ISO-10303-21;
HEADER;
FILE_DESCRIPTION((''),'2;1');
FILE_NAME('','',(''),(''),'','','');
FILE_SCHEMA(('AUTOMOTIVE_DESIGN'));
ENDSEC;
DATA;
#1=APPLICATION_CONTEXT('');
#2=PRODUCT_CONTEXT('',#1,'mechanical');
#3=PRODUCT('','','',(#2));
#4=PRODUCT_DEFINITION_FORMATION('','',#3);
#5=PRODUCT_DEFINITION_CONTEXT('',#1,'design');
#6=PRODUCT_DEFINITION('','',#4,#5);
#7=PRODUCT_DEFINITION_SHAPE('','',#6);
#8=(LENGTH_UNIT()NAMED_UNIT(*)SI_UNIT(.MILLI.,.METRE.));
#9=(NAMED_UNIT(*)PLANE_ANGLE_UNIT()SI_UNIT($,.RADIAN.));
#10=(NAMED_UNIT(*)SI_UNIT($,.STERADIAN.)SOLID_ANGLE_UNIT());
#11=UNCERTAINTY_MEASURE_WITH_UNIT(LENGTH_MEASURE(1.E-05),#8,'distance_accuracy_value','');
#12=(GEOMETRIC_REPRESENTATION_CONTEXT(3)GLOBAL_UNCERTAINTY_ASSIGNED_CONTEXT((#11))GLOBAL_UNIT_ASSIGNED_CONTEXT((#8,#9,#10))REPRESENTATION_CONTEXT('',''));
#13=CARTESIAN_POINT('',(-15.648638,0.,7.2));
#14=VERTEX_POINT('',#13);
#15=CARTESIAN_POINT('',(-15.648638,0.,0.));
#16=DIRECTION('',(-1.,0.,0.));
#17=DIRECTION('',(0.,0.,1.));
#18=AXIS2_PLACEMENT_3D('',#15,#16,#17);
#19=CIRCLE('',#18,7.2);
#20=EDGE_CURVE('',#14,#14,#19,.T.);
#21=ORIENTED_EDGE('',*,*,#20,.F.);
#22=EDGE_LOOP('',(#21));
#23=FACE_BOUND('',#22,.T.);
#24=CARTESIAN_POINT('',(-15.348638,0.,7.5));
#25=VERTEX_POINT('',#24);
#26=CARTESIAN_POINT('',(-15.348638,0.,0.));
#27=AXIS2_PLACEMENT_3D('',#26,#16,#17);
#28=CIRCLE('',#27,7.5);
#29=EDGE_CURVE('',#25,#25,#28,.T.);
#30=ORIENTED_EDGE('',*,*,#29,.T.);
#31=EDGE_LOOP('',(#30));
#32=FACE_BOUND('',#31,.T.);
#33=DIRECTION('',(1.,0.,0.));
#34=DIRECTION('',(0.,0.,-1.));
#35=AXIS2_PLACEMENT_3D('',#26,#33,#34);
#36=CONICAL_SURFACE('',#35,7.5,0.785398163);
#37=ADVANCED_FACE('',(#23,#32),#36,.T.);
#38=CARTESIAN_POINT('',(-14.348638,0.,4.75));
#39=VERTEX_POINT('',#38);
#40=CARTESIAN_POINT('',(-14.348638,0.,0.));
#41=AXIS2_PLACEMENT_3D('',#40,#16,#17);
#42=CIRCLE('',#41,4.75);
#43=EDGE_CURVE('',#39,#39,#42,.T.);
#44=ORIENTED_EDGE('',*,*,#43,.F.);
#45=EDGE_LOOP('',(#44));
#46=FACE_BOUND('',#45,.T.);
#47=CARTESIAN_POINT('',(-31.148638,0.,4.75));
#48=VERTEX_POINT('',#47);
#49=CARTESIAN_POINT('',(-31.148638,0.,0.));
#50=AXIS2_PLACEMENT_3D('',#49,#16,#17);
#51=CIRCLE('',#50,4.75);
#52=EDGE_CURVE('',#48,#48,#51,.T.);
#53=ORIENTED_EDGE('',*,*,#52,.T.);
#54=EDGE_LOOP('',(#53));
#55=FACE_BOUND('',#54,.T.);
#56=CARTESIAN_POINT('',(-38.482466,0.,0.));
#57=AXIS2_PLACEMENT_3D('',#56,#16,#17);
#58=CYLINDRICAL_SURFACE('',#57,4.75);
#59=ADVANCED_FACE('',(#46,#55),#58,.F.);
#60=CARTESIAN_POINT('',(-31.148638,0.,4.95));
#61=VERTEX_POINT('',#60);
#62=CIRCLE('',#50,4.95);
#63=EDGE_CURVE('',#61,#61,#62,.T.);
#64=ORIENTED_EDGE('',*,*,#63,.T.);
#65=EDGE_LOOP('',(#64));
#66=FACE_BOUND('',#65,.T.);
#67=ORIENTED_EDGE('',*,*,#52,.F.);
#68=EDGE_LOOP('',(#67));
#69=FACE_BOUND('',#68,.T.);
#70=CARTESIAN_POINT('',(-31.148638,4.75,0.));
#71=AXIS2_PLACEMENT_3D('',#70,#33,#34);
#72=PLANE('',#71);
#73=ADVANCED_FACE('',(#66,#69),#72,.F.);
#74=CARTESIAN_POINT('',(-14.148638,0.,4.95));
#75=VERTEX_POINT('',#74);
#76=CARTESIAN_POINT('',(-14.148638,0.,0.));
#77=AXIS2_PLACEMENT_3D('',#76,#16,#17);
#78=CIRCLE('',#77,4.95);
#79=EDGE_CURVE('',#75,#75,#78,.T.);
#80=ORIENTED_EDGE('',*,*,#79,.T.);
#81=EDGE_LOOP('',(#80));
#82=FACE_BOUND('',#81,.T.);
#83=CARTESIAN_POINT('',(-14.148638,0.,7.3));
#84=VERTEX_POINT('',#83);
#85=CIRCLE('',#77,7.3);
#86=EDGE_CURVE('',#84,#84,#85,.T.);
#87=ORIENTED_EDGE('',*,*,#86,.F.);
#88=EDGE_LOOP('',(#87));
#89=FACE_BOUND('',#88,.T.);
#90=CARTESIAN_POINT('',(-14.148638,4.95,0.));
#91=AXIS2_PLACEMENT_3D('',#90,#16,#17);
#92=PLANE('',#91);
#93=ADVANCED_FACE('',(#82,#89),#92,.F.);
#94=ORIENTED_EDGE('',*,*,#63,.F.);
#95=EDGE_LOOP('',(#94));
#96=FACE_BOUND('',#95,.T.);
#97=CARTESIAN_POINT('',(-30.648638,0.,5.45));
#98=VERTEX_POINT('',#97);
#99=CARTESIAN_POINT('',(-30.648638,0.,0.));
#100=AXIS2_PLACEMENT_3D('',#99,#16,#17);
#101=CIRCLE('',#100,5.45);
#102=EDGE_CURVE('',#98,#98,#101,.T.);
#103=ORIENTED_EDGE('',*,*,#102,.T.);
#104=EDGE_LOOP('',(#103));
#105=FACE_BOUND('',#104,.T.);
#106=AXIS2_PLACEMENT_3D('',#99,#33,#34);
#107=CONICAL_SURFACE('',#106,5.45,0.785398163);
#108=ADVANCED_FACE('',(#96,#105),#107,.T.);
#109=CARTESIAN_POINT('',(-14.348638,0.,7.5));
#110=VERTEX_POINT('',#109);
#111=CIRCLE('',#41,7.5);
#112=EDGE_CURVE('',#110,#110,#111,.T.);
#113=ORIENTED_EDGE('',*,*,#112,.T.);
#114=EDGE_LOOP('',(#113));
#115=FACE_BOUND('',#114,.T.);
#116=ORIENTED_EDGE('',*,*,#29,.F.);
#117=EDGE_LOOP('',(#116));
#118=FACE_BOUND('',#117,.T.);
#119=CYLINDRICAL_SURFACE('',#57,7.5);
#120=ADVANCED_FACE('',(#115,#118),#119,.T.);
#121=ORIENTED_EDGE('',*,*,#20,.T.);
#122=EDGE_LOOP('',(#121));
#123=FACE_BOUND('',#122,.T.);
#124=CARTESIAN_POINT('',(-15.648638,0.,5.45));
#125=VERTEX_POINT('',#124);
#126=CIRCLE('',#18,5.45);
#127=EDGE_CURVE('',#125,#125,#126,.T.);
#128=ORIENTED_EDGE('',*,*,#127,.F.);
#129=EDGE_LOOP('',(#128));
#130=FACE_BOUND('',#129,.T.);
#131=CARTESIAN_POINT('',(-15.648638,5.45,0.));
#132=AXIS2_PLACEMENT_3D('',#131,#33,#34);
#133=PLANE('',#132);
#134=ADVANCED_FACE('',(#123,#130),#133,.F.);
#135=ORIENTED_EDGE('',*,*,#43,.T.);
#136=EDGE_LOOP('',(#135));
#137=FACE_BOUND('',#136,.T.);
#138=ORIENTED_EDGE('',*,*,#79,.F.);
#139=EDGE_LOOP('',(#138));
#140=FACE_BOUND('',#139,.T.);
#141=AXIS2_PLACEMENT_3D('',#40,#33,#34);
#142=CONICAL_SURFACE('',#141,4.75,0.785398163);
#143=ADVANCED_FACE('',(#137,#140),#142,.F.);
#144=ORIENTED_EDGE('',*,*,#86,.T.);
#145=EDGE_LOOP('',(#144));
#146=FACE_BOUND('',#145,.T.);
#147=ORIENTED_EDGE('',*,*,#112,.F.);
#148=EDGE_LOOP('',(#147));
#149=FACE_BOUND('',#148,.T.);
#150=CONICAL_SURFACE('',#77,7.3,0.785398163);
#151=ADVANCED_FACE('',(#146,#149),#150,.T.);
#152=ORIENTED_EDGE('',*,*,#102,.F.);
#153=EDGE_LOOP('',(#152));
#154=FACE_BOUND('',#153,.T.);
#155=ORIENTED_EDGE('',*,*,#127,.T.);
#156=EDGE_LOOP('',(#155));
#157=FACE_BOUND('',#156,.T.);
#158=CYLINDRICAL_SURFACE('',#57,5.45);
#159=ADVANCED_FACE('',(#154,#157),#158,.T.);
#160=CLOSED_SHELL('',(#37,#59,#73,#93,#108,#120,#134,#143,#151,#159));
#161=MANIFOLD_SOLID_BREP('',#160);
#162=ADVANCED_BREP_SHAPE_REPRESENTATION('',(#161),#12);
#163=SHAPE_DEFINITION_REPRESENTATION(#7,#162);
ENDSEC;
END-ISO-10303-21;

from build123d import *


with BuildPart() as part:
    # Эскиз1 → Повернуть2 (revolve)
    with BuildSketch(Plane.XY):
        Polygon((-31.14863846, 4.75), (-31.14863846, 4.95), (-30.64863846, 5.45), (-15.64863846, 5.45), (-15.64863846, 7.2), (-15.34863846, 7.5), (-14.34863846, 7.5), (-14.14863846, 7.3), (-14.14863846, 4.95), (-14.34863846, 4.75), align=None)
    revolve(axis=Axis((-38.482466054, 0, 0), (1, 0, 0)))


solid = part.part
